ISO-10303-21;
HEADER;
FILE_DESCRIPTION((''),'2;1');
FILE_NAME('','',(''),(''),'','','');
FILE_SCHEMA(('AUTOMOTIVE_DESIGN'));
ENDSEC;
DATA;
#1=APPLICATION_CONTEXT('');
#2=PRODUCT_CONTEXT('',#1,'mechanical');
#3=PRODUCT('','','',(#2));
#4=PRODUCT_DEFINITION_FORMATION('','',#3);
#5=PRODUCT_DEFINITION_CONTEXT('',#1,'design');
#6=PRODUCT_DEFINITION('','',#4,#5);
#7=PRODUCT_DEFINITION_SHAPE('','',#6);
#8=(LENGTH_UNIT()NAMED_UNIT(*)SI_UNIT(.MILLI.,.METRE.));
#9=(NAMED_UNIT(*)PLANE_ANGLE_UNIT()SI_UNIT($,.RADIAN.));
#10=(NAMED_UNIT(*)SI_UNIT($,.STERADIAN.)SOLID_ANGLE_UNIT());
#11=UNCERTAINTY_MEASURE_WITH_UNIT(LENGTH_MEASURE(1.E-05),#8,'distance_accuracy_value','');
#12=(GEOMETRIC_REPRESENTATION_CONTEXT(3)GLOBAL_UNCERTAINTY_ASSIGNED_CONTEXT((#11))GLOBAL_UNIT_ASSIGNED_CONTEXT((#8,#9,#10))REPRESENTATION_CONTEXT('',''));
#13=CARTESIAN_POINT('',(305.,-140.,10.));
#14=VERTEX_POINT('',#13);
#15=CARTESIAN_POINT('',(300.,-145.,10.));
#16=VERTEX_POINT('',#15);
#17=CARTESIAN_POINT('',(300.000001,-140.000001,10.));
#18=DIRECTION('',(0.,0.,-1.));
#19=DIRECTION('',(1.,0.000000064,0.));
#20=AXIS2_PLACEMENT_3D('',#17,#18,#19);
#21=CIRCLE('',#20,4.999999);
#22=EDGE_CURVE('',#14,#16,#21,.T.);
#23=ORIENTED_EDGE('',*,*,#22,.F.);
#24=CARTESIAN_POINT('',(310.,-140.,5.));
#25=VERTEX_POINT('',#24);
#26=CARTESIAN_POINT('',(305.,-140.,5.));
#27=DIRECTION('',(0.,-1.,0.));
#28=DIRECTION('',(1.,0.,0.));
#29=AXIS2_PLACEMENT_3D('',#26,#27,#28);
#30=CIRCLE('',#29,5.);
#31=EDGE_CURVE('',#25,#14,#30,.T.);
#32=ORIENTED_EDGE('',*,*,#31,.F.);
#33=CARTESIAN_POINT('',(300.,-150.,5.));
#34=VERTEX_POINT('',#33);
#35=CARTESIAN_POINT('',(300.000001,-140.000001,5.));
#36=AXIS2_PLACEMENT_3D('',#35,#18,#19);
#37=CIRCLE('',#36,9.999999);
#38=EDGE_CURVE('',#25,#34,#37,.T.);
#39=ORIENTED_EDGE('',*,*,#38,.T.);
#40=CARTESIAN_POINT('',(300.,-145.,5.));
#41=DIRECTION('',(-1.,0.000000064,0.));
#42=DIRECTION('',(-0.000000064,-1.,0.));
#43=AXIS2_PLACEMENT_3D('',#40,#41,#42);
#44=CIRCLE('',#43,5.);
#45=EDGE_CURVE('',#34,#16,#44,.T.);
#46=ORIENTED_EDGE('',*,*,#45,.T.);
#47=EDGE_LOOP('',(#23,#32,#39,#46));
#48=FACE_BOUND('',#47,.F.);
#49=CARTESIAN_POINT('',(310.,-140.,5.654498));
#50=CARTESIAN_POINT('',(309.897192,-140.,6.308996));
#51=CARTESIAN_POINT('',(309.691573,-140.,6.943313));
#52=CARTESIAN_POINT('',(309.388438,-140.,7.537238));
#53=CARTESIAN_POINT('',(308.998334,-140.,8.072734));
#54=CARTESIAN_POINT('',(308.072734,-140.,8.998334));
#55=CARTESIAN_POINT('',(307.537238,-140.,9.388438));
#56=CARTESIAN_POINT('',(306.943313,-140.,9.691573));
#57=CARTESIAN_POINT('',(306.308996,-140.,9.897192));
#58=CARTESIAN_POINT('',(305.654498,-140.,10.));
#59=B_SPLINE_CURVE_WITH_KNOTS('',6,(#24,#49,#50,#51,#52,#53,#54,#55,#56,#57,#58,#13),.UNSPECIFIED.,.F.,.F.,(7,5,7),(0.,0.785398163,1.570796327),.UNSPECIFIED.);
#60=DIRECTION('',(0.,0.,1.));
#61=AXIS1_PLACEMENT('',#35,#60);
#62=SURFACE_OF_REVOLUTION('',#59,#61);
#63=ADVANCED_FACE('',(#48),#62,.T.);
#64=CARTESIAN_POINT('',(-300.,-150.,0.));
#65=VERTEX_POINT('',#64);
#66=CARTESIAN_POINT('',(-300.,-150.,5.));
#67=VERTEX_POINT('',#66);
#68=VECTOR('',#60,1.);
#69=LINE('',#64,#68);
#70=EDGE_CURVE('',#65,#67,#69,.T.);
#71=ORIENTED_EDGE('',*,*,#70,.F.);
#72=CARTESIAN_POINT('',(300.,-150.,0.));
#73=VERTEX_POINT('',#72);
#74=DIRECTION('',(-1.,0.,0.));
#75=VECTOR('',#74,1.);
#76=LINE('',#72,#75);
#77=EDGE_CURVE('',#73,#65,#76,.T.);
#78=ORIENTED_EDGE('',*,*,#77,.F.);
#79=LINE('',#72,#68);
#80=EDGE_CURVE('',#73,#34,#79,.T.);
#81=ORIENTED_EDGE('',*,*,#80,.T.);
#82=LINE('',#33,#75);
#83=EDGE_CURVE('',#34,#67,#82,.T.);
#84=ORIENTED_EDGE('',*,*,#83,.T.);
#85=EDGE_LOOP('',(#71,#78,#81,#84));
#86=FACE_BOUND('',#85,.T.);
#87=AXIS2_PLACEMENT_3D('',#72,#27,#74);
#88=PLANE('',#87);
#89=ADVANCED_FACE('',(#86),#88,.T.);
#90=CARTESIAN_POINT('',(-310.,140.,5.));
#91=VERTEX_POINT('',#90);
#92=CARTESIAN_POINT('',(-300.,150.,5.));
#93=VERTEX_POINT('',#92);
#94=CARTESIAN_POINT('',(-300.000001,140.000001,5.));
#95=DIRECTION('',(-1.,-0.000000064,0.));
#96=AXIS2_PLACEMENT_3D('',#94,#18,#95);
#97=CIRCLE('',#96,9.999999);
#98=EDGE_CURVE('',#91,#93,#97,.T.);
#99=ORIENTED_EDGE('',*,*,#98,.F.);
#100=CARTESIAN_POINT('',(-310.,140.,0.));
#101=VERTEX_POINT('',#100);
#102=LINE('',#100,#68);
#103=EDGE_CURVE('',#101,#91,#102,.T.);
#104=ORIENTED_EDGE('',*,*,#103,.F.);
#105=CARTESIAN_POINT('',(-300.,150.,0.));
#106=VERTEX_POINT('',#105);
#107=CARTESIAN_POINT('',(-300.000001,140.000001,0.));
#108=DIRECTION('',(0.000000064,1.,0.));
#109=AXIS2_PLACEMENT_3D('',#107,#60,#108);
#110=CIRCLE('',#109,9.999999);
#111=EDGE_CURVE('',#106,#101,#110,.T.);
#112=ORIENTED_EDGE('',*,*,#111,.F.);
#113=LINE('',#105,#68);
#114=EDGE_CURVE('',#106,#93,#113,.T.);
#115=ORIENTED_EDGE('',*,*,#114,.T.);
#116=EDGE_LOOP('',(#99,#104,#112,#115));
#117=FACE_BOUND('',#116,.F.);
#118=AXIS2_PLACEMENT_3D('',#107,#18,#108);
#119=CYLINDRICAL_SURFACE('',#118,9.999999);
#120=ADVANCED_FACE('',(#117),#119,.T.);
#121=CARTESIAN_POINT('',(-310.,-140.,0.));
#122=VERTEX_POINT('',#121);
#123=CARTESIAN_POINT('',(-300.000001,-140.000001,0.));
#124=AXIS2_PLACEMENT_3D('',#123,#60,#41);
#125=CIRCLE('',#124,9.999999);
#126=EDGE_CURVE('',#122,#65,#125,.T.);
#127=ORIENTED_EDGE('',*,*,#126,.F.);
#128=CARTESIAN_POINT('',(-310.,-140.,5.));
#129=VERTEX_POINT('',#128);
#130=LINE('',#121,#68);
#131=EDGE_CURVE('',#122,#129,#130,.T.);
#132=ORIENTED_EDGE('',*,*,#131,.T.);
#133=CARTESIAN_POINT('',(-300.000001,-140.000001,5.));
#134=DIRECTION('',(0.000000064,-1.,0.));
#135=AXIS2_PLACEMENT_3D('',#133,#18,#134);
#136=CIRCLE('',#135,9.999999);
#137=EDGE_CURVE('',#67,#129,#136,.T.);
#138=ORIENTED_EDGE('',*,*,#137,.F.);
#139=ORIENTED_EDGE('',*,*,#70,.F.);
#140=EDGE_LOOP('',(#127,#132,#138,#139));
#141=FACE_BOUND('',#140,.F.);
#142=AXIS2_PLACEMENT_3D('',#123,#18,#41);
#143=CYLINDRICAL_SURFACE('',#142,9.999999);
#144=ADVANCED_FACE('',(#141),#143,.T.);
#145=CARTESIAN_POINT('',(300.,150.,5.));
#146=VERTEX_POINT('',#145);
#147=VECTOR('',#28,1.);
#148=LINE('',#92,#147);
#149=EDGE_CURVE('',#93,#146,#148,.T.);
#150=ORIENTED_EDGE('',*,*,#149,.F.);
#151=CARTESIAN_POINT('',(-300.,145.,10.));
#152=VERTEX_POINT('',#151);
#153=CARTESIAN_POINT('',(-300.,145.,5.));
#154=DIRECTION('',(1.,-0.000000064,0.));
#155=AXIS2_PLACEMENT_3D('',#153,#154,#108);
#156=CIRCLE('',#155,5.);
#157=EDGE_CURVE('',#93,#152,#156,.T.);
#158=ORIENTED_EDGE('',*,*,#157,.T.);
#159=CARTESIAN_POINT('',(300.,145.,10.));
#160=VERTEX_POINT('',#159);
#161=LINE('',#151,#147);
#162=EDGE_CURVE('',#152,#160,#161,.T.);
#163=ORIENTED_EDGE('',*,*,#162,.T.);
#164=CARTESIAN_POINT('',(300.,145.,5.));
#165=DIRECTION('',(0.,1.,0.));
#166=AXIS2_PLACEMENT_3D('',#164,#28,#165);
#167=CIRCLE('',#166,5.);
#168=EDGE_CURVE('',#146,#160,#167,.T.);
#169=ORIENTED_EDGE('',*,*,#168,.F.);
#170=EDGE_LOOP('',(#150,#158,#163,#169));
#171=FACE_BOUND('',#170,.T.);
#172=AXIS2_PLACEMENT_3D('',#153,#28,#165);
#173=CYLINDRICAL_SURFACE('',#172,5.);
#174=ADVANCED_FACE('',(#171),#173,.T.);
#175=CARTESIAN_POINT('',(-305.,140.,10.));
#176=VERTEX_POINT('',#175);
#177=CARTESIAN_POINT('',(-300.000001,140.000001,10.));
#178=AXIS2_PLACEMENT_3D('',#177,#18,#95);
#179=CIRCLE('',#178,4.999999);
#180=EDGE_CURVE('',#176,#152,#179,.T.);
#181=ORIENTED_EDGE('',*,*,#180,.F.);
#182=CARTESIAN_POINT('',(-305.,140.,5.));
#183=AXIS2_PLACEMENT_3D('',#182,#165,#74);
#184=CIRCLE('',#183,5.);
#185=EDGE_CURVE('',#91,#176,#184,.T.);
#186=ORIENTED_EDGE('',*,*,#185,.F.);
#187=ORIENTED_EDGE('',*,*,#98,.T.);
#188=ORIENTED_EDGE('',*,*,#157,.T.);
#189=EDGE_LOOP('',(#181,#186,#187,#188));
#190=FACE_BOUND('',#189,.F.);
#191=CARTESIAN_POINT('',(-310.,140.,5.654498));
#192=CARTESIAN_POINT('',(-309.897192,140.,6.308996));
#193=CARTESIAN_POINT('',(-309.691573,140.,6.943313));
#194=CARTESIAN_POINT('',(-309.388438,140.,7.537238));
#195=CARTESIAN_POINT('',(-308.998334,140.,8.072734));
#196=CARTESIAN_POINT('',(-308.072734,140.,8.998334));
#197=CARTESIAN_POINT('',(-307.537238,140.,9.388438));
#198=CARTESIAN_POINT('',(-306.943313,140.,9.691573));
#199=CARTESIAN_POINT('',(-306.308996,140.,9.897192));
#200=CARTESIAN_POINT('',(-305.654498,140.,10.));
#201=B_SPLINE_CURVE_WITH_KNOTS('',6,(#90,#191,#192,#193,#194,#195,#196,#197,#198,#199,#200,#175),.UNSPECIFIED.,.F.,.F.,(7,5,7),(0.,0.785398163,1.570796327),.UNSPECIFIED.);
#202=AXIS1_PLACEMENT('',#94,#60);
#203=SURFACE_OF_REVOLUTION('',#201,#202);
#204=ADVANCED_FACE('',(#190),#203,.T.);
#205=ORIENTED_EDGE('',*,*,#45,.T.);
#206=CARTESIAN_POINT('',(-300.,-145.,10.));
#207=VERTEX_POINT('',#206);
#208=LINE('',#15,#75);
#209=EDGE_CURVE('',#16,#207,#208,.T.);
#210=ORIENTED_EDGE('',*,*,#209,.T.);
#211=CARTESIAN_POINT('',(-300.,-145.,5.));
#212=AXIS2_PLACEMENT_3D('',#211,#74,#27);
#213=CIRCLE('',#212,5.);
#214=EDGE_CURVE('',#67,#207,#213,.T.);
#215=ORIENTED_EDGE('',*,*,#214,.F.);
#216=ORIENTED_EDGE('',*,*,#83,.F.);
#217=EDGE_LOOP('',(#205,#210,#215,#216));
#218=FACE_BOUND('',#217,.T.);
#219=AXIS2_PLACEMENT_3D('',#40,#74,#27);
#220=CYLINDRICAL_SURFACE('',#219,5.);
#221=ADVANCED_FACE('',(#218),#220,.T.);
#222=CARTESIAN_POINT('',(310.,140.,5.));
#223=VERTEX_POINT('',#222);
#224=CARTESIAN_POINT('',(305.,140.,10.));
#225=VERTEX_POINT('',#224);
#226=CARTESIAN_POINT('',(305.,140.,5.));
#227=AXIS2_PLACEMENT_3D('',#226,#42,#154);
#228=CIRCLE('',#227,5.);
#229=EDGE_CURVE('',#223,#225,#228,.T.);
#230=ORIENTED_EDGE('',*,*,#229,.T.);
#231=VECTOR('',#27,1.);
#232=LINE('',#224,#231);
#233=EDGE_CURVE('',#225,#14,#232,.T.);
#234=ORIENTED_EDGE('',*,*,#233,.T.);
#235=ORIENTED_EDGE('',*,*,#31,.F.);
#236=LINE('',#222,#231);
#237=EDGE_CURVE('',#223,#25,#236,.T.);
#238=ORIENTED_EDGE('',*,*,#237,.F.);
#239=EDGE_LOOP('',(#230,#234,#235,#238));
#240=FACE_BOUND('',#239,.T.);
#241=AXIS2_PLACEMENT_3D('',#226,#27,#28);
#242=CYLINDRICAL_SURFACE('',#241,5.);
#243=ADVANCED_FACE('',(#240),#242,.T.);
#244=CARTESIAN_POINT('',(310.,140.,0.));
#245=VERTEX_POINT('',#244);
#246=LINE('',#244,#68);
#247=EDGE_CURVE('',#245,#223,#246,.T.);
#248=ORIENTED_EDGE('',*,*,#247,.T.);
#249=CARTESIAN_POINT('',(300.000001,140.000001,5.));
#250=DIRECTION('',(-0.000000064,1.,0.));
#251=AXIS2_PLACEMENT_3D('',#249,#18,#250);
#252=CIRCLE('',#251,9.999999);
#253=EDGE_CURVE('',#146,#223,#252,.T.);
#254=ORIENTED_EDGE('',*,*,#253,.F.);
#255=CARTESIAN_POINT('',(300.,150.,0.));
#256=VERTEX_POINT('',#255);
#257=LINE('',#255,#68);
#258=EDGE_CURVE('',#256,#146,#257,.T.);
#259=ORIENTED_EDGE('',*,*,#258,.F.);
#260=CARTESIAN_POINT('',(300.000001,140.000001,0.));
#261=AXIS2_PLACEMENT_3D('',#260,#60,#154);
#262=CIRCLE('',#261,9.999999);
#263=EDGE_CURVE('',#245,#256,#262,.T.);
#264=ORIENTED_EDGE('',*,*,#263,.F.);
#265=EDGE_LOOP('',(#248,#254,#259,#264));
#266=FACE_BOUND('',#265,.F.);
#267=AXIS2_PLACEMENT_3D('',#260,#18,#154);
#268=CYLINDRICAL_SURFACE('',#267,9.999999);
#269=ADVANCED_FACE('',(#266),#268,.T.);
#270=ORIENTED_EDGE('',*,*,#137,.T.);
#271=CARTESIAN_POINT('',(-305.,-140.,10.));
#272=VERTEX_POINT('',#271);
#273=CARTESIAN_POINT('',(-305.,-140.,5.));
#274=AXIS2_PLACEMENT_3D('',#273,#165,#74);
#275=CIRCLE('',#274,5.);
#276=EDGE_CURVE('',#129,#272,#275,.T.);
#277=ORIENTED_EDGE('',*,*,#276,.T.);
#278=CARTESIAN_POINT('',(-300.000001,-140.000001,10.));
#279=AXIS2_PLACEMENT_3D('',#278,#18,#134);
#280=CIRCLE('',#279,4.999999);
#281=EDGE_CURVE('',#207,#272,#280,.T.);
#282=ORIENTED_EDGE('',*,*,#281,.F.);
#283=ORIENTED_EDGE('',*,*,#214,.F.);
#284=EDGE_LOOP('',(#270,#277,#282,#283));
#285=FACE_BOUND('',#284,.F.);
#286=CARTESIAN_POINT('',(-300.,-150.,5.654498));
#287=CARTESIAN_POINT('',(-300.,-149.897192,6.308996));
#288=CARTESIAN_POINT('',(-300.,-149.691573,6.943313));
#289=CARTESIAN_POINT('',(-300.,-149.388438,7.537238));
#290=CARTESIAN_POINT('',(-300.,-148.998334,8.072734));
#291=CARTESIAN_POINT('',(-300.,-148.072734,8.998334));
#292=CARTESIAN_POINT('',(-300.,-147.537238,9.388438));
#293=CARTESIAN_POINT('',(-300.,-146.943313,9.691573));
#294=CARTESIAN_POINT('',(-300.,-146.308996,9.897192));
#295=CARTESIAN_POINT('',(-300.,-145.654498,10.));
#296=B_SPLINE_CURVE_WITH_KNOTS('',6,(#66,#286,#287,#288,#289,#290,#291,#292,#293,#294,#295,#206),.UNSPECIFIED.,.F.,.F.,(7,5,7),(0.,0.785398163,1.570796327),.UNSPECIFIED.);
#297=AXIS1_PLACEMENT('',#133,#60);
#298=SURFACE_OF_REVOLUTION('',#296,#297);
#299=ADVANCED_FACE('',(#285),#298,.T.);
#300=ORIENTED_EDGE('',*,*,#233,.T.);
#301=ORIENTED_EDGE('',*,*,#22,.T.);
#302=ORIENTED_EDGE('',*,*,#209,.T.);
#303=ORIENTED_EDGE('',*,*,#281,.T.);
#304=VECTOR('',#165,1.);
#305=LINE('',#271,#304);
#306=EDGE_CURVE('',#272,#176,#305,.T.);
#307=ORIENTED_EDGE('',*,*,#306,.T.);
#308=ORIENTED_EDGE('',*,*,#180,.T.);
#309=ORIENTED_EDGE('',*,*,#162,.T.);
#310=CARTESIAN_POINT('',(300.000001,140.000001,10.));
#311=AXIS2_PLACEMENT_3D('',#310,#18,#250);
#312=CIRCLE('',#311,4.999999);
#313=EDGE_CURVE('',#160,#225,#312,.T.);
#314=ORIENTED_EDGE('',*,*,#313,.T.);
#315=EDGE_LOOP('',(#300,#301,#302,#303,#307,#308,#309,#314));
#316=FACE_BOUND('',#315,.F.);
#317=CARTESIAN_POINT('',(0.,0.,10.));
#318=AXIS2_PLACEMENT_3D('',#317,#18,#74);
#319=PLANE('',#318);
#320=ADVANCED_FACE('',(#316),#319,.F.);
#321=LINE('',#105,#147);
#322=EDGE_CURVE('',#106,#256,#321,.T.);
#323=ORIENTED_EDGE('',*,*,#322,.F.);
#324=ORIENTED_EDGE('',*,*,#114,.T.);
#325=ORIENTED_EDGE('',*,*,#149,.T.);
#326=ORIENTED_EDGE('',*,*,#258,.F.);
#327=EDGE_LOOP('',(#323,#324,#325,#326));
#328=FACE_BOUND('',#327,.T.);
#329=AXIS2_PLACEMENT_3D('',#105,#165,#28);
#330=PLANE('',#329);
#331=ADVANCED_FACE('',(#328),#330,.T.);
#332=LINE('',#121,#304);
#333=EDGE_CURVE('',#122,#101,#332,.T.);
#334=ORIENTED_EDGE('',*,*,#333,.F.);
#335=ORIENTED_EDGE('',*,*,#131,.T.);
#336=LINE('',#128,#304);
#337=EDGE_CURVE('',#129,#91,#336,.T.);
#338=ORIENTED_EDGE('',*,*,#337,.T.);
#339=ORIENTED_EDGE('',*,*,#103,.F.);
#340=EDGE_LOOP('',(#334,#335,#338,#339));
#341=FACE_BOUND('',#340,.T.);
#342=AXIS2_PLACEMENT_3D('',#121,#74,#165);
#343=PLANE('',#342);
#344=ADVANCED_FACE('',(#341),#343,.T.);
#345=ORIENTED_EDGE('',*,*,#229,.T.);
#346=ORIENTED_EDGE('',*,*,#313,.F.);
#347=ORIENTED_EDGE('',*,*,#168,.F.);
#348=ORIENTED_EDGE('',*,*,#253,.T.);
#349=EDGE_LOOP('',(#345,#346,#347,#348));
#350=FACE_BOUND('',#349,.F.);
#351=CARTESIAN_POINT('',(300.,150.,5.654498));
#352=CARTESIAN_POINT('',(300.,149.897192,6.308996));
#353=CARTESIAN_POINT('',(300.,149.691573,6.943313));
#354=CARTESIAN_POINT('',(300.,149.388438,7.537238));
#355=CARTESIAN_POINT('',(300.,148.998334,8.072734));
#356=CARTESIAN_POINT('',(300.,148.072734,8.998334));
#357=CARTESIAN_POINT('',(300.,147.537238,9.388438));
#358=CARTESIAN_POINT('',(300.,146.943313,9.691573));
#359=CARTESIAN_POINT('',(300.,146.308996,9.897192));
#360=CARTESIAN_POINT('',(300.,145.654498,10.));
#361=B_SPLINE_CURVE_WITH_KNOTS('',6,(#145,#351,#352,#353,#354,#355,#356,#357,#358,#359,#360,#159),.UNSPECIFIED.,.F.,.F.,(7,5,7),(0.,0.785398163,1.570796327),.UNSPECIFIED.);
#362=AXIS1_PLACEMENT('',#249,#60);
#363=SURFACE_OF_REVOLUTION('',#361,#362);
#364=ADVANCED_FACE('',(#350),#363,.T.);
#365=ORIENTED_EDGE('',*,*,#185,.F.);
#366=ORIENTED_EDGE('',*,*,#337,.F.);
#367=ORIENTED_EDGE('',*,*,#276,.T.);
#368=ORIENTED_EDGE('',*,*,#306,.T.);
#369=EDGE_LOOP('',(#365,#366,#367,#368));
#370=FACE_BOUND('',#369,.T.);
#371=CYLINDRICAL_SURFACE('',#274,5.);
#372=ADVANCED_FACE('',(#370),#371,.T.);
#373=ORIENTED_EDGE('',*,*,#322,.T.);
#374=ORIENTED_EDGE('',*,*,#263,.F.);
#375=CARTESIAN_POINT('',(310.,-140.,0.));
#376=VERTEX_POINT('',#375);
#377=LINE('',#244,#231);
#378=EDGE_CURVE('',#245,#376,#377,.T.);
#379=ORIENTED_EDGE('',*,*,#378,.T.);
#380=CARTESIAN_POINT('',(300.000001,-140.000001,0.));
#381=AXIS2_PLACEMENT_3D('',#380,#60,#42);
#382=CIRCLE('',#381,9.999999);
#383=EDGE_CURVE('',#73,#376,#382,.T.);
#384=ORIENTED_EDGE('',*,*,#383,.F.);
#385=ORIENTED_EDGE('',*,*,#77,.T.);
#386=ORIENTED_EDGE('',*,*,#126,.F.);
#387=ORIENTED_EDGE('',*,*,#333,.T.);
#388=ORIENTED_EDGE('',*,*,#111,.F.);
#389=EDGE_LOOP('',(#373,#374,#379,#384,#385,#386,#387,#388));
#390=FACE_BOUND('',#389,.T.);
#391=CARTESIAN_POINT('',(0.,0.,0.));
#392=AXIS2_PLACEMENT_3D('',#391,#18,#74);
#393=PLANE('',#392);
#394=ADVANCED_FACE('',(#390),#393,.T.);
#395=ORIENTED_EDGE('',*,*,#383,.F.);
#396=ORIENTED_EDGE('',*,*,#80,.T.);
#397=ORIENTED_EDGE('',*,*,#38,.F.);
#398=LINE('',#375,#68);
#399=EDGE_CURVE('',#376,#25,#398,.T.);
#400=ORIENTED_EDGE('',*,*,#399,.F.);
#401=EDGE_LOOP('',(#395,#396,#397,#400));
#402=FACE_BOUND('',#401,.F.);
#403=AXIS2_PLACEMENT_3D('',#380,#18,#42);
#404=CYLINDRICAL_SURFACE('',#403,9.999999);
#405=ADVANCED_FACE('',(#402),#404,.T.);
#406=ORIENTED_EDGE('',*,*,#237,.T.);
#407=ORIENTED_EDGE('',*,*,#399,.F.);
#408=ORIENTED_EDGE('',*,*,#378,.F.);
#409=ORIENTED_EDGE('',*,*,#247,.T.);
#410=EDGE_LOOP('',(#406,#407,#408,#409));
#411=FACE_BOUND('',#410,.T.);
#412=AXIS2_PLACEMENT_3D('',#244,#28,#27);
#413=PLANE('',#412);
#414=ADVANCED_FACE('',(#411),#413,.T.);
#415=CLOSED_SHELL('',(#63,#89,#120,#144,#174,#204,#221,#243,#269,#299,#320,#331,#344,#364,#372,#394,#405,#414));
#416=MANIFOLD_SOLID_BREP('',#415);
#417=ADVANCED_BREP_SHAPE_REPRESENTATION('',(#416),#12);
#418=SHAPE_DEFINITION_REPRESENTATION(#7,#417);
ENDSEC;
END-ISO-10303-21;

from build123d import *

# Parameters (mm, degrees)
EXTRUDE_DEPTH = 10
FILLET_R      = 5


with BuildPart() as part:
    # Sketch → Extrude (new body)
    with BuildSketch(Plane.XY):
        with BuildLine():
            Line((-300, 150), (300, 150))
            ThreePointArc((310, 140), (307.071068, 147.071068), (300, 150))
            Line((310, 140), (310, -140))
            ThreePointArc((300, -150), (307.071068, -147.071068), (310, -140))
            Line((300, -150), (-300, -150))
            ThreePointArc((-310, -140), (-307.071068, -147.071068), (-300, -150))
            Line((-310, -140), (-310, 140))
            ThreePointArc((-300, 150), (-307.071068, 147.071068), (-310, 140))
        make_face()
    extrude(amount=EXTRUDE_DEPTH)

    # Fillet
    fillet_edges = [part.edges().sort_by_distance(p)[0] for p in [
        (-310, 0, 10),
        (-307.071068, 147.071068, 10),
        (0, 150, 10),
        (307.071068, 147.071068, 10),
        (310, 0, 10),
        (307.071068, -147.071068, 10),
        (0, -150, 10),
        (-307.071068, -147.071068, 10),
    ]]
    fillet(fillet_edges, radius=FILLET_R)


solid = part.part
